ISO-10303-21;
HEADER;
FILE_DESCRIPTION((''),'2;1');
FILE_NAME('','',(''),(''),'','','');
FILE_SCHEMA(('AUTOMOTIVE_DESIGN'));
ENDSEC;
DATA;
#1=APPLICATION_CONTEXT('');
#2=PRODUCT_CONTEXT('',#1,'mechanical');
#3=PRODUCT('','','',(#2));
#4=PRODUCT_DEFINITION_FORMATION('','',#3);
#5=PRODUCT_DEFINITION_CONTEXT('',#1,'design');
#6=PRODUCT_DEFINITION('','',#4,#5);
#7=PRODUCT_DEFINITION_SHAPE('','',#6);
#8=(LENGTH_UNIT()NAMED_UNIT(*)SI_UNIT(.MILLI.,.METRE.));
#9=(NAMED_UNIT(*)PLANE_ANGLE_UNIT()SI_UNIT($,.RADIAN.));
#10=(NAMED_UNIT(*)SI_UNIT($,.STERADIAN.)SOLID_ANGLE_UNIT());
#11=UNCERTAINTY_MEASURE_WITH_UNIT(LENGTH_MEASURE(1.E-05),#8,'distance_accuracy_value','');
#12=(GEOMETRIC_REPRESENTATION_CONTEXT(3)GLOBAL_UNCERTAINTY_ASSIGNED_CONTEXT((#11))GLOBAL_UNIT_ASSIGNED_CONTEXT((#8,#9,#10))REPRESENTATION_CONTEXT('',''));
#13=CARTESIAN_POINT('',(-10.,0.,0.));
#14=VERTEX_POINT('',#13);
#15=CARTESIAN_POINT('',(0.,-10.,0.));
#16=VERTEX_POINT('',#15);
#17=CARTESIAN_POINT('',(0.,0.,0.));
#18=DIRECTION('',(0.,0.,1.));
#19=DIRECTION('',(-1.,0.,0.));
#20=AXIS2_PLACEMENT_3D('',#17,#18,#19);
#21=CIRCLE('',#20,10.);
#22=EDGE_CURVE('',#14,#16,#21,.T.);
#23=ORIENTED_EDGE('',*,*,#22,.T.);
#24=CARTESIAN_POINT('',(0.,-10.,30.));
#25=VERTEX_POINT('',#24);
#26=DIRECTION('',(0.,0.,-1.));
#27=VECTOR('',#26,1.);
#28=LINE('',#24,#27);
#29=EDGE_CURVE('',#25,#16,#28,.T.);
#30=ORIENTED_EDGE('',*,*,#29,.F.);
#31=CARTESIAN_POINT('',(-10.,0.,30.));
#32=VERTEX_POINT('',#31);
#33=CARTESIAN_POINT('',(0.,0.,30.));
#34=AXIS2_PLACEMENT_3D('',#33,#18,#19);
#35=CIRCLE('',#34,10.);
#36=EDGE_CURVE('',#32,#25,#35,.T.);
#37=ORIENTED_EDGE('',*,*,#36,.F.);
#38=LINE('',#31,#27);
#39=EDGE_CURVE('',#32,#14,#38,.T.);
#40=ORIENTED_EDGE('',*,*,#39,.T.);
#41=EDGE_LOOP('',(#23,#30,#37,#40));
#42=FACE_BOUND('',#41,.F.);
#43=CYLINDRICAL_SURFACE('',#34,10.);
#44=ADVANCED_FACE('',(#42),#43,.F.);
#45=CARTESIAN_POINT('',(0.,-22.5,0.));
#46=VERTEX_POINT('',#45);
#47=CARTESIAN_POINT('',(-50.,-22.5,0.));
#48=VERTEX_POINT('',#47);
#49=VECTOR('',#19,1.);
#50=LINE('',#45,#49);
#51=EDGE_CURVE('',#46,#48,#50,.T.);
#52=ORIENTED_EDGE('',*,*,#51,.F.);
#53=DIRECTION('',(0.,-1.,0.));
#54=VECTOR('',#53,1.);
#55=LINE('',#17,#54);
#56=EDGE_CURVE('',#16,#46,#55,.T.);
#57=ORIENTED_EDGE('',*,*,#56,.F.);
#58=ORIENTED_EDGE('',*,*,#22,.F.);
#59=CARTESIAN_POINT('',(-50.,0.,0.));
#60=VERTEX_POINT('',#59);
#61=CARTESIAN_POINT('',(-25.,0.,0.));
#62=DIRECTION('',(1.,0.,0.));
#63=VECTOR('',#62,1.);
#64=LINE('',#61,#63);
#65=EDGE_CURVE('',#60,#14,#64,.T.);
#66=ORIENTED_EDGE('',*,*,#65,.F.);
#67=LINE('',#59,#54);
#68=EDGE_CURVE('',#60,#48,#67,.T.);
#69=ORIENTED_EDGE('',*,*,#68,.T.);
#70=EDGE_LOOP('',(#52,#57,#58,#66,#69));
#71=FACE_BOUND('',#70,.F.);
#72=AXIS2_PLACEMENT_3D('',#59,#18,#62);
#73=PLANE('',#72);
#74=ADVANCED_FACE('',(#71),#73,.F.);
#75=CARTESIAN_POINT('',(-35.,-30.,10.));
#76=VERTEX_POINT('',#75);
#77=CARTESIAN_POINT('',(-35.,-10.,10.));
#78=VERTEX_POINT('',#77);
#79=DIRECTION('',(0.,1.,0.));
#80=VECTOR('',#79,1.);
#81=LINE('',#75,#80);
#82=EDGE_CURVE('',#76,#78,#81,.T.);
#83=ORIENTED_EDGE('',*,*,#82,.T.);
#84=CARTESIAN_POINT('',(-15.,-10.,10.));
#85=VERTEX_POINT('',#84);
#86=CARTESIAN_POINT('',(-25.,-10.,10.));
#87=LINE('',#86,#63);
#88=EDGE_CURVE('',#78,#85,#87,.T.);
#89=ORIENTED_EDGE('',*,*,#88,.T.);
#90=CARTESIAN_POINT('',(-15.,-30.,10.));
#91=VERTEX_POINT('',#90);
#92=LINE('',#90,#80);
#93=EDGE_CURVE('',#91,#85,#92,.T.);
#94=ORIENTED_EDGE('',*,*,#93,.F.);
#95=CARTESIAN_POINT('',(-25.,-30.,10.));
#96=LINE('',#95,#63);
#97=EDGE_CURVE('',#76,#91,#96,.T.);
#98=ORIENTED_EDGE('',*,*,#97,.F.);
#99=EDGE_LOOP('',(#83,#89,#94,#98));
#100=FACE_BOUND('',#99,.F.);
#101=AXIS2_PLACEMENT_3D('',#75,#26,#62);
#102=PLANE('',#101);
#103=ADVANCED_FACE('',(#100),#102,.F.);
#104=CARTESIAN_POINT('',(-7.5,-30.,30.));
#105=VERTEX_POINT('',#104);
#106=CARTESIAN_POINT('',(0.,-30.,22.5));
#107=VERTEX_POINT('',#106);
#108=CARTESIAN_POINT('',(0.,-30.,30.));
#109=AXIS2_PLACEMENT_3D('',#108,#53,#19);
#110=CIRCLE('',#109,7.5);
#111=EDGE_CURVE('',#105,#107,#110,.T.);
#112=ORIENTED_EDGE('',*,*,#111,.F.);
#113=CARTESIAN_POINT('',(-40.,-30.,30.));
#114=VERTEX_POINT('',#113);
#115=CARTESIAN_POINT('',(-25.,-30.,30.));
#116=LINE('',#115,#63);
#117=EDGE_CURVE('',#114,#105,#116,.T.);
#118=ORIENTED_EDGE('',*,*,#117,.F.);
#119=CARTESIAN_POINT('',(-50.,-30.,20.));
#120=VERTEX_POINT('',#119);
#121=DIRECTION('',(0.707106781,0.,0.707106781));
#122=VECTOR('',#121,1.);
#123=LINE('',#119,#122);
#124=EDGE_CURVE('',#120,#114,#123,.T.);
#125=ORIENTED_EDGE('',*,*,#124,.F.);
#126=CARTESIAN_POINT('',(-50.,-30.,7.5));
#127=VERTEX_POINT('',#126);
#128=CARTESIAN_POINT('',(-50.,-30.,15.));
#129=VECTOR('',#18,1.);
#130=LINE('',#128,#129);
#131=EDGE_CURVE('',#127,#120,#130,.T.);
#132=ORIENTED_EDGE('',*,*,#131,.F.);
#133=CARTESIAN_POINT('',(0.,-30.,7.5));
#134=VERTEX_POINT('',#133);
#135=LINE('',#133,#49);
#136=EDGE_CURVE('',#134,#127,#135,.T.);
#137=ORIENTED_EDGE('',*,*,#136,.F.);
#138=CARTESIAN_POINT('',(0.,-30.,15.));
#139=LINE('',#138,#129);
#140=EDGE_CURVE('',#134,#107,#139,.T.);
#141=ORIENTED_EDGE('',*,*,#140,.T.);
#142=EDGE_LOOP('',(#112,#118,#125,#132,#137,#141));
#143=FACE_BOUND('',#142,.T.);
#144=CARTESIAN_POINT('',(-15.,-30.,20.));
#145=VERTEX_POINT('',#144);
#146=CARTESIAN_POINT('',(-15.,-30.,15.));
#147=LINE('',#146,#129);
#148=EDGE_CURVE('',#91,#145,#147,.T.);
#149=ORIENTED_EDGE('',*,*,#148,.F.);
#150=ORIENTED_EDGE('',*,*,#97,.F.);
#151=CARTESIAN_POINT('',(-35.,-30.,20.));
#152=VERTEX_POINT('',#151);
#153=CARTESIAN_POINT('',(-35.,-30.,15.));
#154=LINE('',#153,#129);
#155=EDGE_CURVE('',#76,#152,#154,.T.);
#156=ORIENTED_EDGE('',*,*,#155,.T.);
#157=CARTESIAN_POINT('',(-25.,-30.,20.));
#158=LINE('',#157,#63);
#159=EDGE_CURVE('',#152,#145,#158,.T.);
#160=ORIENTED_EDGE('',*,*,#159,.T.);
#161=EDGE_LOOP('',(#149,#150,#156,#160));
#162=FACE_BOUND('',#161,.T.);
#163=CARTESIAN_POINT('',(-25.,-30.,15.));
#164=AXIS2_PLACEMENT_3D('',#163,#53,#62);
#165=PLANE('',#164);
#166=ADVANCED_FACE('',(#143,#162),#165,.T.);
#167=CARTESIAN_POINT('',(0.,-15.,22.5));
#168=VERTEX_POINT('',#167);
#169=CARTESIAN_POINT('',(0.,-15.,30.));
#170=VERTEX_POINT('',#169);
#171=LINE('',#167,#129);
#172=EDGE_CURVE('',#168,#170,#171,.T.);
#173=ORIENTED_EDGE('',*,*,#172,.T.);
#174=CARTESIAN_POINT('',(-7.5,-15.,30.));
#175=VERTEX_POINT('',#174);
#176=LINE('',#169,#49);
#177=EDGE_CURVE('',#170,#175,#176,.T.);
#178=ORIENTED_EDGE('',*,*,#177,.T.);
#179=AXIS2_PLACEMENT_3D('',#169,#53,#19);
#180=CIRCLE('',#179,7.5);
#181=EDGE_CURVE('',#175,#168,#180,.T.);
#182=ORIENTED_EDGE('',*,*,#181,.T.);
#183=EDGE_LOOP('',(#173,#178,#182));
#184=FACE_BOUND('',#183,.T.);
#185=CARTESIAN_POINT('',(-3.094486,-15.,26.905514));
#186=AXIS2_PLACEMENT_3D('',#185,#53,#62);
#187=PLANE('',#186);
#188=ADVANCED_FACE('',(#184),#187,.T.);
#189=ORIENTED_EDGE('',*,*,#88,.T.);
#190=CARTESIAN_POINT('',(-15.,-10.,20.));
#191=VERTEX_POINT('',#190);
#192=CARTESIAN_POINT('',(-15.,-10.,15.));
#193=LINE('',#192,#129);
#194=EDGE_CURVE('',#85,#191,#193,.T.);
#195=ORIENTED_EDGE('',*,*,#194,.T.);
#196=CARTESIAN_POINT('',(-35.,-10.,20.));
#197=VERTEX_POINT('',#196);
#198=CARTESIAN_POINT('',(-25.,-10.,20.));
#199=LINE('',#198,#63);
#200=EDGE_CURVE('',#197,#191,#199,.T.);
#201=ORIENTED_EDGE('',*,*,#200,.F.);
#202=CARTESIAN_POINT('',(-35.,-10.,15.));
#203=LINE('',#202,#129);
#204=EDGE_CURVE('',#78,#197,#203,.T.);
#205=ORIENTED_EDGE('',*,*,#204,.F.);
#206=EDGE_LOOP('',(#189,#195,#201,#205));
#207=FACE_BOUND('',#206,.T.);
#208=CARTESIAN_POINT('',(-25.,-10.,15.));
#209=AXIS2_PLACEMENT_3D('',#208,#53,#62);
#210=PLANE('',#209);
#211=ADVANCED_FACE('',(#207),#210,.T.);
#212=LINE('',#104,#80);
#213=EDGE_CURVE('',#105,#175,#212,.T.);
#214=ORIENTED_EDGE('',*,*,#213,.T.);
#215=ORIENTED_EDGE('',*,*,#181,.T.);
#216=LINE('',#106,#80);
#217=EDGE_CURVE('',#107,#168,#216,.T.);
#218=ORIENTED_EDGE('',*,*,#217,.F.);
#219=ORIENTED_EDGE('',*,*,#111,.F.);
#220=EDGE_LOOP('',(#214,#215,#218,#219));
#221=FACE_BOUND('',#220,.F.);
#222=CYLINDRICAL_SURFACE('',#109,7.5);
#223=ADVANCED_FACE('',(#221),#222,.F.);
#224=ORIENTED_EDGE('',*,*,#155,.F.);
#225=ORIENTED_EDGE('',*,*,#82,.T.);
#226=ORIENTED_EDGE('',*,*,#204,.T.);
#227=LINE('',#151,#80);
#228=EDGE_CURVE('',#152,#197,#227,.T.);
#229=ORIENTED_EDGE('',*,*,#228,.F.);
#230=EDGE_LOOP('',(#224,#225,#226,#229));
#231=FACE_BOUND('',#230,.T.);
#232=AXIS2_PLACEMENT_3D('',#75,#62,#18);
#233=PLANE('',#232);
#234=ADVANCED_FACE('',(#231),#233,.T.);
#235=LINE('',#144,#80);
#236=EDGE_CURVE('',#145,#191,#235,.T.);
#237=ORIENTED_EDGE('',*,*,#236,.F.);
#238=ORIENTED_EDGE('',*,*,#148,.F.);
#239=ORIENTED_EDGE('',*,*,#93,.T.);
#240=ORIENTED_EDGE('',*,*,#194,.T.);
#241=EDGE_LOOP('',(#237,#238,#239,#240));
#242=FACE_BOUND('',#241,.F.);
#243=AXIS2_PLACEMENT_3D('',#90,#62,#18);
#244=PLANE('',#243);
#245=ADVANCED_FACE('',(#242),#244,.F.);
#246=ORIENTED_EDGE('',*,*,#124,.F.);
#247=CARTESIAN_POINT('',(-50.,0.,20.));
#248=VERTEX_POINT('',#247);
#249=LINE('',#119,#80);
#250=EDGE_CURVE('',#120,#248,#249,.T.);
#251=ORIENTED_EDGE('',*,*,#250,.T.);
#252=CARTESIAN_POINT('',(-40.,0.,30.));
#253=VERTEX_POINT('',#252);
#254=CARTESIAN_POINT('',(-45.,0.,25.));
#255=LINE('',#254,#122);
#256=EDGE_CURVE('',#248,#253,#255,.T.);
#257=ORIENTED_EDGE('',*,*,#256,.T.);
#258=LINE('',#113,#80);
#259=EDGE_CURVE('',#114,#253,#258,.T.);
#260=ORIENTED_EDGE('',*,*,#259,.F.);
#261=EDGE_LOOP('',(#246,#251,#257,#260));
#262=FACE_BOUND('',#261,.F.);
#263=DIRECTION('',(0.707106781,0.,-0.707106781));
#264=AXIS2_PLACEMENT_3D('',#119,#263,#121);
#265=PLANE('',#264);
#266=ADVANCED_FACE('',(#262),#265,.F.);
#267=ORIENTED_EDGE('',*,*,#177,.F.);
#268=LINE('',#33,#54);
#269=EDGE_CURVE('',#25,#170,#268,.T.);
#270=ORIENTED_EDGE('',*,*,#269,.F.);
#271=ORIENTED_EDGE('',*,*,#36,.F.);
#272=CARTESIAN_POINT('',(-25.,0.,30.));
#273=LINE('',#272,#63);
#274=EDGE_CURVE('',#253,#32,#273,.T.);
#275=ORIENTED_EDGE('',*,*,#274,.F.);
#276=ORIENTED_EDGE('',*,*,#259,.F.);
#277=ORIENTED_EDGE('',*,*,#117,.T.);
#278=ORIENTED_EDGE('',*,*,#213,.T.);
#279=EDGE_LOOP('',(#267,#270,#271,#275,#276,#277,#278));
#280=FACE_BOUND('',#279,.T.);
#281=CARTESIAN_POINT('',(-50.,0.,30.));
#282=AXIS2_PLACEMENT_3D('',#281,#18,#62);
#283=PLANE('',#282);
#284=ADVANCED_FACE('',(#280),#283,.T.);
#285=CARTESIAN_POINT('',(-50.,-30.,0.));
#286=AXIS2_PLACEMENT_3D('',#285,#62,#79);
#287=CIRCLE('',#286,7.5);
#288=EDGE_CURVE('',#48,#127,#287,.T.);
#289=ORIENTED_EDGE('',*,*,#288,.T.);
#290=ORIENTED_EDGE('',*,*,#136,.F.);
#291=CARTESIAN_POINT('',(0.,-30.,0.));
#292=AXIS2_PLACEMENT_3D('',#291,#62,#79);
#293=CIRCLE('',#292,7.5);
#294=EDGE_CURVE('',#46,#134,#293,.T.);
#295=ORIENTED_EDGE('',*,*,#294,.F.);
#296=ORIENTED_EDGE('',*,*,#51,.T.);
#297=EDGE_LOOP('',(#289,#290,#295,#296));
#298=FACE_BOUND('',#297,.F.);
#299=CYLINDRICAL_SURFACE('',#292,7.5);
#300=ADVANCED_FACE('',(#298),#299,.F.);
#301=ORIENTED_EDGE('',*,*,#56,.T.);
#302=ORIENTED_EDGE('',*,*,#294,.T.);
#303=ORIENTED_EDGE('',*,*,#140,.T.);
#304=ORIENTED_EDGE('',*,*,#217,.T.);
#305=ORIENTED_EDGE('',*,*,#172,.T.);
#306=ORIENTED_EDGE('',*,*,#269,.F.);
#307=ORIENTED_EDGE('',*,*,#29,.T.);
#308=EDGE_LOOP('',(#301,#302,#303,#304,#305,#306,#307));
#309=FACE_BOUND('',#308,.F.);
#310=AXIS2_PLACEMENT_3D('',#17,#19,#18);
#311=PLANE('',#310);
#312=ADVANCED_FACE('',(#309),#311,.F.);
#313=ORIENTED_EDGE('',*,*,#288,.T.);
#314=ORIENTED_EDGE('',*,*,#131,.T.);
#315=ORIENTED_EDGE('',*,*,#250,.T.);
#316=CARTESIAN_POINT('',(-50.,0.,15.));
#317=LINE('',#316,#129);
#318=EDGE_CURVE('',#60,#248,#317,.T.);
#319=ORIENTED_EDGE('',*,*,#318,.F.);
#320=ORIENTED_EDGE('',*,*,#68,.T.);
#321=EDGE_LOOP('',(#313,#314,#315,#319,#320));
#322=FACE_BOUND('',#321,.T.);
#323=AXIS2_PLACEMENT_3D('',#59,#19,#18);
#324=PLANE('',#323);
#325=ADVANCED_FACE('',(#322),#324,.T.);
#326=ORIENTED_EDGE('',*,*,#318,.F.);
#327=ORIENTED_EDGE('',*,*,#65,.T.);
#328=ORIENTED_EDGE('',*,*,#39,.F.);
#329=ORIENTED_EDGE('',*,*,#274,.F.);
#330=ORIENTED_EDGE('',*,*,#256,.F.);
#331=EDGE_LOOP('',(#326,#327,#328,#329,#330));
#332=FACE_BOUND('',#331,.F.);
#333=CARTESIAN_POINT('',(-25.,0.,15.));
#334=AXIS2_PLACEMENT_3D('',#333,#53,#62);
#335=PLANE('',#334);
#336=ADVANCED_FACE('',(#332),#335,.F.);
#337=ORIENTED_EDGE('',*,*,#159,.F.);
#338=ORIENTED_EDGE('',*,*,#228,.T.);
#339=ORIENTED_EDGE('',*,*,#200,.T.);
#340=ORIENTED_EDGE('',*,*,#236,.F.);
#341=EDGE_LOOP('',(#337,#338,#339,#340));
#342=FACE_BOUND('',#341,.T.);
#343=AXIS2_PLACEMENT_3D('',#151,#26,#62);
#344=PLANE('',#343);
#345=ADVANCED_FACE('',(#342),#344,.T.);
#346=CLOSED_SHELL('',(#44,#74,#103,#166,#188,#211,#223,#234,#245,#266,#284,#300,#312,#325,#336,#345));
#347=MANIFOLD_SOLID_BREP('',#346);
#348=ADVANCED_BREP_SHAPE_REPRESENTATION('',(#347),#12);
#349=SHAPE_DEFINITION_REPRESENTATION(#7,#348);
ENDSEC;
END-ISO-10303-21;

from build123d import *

# Parameters (mm, degrees)
F0_W      = 50
F0_H      = 30
F1_DEPTH  = 30
F3_DEPTH  = 30.001
F4_W      = 20
F4_H      = 10
F5_DEPTH  = 20
F7_DEPTH  = 30.001
F9_DEPTH  = 50.001
F11_DEPTH = 15


with BuildPart() as f1:
    # F0 (on Front) → F1 (new body)
    with BuildSketch(Plane.XZ):
        with Locations((-25, 15)):
            Rectangle(F0_W, F0_H)
    extrude(amount=F1_DEPTH)

    # F2 (on face) → F3 (cut, through all)
    with BuildSketch(Plane.XZ.offset(30)):
        Polygon((-40, 30), (-50, 30), (-50, 20), align=None)
    extrude(amount=-F3_DEPTH, mode=Mode.SUBTRACT)

    # F4 (on face) → F5 (cut)
    with BuildSketch(Plane.XZ.offset(30)):
        with Locations((-25, 15)):
            Rectangle(F4_W, F4_H)
    extrude(amount=-F5_DEPTH, mode=Mode.SUBTRACT)

    # F6 (on face) → F7 (cut, through all)
    with BuildSketch(Plane.XY.offset(30)):
        with BuildLine():
            Line((0, 0), (-10, 0))
            ThreePointArc((-10, 0), (-7.0710678119, -7.0710678119), (0, -10))
            Line((0, -10), (0, 0))
        make_face()
    extrude(amount=-F7_DEPTH, mode=Mode.SUBTRACT)

    # F8 (on face) → F9 (cut, through all)
    with BuildSketch(Plane.YZ):
        with BuildLine():
            Line((-30, 0), (-22.5, 0))
            ThreePointArc((-22.5, 0), (-24.6966991411, 5.3033008589), (-30, 7.5))
            Line((-30, 7.5), (-30, 0))
        make_face()
    extrude(amount=-F9_DEPTH, mode=Mode.SUBTRACT)

    # F10 (on face) → F11 (cut)
    with BuildSketch(Plane.XZ.offset(30)):
        with BuildLine():
            Line((0, 30), (-7.5, 30))
            ThreePointArc((-7.5, 30), (-5.3033008589, 24.6966991411), (0, 22.5))
            Line((0, 22.5), (0, 30))
        make_face()
    extrude(amount=-F11_DEPTH, mode=Mode.SUBTRACT)


solid = f1.part
